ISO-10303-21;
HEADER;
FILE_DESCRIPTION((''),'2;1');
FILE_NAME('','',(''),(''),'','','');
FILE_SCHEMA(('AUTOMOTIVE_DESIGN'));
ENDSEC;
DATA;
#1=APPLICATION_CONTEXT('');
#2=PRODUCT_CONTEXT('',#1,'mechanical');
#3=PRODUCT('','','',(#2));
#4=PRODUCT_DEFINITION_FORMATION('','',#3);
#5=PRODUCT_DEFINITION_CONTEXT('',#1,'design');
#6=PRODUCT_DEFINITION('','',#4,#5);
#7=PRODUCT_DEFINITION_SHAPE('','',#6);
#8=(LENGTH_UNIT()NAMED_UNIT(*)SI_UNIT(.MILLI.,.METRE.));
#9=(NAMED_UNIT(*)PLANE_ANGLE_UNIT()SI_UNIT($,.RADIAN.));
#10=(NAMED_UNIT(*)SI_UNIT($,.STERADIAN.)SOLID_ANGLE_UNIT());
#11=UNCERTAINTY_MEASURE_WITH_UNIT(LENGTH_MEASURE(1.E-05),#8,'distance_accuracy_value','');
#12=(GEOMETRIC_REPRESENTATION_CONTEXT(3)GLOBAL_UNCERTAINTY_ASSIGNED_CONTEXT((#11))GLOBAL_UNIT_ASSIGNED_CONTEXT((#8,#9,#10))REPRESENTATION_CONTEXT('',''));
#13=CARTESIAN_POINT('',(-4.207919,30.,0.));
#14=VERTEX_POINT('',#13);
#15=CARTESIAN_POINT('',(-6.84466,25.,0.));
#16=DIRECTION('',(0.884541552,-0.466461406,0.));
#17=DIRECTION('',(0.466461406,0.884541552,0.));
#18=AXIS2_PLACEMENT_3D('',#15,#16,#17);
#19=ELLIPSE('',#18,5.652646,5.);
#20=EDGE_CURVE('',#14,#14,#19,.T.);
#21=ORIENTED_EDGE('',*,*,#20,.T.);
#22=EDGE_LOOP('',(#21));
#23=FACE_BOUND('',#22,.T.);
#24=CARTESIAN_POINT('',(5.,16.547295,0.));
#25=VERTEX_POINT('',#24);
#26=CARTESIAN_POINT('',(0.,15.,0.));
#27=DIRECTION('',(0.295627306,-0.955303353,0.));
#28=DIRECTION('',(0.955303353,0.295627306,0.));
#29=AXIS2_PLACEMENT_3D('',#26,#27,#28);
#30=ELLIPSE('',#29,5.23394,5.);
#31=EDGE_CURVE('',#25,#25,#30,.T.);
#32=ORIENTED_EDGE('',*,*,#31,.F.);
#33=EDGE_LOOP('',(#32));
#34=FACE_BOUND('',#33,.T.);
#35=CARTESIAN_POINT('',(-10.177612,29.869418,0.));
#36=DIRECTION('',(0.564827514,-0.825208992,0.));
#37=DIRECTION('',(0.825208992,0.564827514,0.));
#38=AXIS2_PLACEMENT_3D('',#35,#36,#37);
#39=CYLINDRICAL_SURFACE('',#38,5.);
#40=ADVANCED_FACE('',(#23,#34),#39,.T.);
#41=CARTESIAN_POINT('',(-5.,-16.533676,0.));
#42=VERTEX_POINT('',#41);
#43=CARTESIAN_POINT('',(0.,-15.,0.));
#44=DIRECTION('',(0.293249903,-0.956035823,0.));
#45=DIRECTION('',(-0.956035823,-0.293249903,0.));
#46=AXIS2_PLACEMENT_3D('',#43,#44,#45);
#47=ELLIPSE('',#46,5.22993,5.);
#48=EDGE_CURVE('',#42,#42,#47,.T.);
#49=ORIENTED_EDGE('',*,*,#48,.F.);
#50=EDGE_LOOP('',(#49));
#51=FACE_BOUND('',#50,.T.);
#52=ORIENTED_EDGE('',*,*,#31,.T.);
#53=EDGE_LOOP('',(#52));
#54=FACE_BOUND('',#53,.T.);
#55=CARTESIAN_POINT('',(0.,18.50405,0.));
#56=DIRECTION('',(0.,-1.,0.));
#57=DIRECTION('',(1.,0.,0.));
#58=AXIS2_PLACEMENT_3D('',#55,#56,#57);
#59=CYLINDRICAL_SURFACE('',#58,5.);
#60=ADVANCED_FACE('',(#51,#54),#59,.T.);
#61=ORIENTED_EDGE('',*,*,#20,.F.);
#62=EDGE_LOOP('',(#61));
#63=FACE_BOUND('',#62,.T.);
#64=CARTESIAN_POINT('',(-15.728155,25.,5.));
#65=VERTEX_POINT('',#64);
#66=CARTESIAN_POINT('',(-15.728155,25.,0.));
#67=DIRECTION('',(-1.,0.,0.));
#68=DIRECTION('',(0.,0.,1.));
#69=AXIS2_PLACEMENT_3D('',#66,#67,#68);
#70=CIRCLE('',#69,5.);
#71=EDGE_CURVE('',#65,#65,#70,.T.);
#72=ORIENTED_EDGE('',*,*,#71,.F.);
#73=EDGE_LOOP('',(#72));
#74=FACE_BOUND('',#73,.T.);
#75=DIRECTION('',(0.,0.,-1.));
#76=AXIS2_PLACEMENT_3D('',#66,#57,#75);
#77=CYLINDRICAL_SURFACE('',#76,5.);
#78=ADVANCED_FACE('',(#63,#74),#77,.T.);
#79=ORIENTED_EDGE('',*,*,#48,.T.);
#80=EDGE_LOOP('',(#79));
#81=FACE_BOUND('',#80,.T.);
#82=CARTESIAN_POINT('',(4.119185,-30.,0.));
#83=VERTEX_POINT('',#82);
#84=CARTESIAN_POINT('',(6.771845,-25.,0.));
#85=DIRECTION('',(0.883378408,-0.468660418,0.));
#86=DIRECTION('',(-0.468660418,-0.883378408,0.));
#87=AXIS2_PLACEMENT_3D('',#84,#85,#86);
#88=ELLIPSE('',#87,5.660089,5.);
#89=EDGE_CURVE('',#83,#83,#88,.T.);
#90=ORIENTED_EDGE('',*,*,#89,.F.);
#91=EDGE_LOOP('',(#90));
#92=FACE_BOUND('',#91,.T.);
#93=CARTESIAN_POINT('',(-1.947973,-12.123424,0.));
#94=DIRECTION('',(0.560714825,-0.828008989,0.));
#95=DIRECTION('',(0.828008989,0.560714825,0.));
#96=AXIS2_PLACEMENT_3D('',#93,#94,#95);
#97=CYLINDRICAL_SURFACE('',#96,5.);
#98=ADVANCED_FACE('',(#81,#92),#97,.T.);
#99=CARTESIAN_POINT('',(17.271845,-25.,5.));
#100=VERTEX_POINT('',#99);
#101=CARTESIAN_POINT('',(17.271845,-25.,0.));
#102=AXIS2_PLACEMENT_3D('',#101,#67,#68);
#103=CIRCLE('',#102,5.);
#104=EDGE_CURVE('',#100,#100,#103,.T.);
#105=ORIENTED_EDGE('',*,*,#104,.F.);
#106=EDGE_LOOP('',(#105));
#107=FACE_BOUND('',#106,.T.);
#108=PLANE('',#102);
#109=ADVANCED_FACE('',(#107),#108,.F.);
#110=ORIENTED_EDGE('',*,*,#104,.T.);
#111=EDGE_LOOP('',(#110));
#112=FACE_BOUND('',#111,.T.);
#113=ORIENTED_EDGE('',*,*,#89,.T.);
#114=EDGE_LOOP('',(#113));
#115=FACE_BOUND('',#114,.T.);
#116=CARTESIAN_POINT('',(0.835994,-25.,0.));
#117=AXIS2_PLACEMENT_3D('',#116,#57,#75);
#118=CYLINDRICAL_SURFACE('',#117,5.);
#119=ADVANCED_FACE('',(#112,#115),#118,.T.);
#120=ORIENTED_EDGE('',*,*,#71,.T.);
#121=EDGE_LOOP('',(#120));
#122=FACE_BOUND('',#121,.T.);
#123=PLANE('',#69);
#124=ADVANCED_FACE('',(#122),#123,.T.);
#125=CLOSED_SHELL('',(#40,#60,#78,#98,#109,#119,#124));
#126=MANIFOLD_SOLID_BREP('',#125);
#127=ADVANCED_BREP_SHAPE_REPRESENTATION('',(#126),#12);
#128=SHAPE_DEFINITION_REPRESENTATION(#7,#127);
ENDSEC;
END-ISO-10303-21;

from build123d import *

# Parameters (mm, degrees)
SWEEP1_PROFILE_R = 5


with BuildPart() as part:
    # Sweep1: sweep along a path in Sketch1
    with BuildLine(Plane.XY) as sweep1_path:
        Line((-15.72815534, 25), (-6.844660194, 25))
        Line((-6.844660194, 25), (0, 15))
        Line((0, 15), (0, -15))
        Line((0, -15), (6.77184466, -25))
        Line((6.77184466, -25), (17.27184466, -25))
    # Sweep1 profile (on start of the path) → Sweep1 (sweep)
    with BuildSketch(Plane(origin=(-15.72815534, 25, 0), x_dir=(0, 0, 1), z_dir=(1, 0, 0))):
        Circle(SWEEP1_PROFILE_R)
    sweep(path=sweep1_path.line, transition=Transition.RIGHT)


solid = part.part
